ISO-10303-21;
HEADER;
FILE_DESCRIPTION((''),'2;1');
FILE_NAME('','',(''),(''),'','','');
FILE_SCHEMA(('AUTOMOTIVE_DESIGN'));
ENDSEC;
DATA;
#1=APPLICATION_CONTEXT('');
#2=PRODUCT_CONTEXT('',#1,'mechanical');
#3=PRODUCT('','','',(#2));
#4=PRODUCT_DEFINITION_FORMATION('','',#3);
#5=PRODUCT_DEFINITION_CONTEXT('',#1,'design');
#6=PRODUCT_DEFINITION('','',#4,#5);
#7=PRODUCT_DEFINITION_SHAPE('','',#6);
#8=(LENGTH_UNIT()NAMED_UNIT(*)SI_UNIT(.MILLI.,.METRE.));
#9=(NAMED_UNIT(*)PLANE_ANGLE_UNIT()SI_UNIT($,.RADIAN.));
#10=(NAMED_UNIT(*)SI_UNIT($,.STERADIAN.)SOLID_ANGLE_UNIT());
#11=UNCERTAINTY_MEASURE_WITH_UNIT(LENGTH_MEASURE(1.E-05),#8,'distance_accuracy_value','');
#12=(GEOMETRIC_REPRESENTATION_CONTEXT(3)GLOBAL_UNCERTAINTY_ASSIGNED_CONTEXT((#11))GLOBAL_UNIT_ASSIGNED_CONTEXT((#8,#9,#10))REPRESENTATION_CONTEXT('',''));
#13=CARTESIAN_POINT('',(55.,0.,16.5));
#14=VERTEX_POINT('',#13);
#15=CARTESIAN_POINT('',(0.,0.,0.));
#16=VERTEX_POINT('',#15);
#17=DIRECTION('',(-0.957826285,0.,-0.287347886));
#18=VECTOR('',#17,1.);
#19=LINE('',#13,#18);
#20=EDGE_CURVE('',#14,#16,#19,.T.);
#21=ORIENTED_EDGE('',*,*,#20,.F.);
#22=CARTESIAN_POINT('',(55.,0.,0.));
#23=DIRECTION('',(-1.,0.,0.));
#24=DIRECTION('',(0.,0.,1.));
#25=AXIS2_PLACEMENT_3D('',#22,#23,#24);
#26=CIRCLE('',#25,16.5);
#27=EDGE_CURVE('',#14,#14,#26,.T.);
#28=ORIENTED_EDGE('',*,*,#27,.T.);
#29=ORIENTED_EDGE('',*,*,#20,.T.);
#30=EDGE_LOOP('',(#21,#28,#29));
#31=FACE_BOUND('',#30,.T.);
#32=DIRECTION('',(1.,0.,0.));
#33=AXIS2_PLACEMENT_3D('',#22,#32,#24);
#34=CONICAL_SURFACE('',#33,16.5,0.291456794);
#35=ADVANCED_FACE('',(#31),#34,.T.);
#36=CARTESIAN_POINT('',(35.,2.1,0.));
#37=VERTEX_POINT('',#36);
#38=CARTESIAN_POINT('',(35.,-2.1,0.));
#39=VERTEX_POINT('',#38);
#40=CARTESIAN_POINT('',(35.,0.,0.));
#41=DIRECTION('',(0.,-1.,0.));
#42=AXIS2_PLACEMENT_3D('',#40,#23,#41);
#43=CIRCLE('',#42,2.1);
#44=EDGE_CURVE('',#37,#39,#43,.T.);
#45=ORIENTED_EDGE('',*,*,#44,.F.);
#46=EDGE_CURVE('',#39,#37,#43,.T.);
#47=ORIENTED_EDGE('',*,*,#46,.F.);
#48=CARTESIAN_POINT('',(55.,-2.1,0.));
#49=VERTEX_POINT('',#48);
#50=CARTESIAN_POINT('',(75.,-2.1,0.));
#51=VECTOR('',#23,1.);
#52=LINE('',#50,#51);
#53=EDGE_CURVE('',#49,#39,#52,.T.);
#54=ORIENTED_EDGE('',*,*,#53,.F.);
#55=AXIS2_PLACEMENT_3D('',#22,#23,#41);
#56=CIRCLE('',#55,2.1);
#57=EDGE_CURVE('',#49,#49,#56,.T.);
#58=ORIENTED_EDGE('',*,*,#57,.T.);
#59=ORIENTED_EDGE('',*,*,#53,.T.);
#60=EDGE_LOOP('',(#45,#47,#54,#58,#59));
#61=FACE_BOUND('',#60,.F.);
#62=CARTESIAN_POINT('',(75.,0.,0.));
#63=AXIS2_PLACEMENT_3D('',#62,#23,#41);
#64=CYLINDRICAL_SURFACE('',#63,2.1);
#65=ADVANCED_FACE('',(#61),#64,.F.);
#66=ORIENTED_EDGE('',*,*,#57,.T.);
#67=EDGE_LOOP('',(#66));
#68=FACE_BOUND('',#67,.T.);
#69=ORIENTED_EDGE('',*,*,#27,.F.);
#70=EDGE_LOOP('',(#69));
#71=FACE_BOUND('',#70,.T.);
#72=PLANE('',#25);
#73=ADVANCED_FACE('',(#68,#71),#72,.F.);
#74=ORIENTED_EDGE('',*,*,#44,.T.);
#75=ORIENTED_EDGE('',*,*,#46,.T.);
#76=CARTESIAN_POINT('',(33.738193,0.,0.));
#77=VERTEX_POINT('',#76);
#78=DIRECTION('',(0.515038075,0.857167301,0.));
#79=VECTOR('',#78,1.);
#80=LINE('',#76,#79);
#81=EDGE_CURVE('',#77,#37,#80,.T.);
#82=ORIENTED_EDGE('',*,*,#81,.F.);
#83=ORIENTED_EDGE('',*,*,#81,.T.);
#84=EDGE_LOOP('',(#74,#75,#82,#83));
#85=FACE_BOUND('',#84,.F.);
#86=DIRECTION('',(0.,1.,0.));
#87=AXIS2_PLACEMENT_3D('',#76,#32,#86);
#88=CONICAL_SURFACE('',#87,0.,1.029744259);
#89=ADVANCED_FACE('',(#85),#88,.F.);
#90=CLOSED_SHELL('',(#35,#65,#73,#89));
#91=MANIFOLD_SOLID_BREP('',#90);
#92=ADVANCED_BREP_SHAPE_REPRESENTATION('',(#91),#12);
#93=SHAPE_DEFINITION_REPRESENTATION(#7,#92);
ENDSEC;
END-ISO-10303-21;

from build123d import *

# Parameters (mm, degrees)
F3_D     = 4.2
F3_DEPTH = 20
F3_TIP   = 1.2618073


with BuildPart() as f1:
    # F0 (on Front) → F1 (revolve)
    with BuildSketch(Plane.XZ):
        Polygon((55, 16.5), (0, 0), (55, 0), align=None)
    revolve(axis=Axis((27.5, 0, 0), (-1, 0, 0)))

    # F3
    with Locations(Plane.YZ.offset(55)):
        with Locations((0, 0)):
            Hole(F3_D / 2, depth=F3_DEPTH)
            with Locations((0, 0, -(F3_DEPTH + F3_TIP / 2))):  # 118° drill point
                Cone(0, F3_D / 2, F3_TIP, mode=Mode.SUBTRACT)


solid = f1.part
